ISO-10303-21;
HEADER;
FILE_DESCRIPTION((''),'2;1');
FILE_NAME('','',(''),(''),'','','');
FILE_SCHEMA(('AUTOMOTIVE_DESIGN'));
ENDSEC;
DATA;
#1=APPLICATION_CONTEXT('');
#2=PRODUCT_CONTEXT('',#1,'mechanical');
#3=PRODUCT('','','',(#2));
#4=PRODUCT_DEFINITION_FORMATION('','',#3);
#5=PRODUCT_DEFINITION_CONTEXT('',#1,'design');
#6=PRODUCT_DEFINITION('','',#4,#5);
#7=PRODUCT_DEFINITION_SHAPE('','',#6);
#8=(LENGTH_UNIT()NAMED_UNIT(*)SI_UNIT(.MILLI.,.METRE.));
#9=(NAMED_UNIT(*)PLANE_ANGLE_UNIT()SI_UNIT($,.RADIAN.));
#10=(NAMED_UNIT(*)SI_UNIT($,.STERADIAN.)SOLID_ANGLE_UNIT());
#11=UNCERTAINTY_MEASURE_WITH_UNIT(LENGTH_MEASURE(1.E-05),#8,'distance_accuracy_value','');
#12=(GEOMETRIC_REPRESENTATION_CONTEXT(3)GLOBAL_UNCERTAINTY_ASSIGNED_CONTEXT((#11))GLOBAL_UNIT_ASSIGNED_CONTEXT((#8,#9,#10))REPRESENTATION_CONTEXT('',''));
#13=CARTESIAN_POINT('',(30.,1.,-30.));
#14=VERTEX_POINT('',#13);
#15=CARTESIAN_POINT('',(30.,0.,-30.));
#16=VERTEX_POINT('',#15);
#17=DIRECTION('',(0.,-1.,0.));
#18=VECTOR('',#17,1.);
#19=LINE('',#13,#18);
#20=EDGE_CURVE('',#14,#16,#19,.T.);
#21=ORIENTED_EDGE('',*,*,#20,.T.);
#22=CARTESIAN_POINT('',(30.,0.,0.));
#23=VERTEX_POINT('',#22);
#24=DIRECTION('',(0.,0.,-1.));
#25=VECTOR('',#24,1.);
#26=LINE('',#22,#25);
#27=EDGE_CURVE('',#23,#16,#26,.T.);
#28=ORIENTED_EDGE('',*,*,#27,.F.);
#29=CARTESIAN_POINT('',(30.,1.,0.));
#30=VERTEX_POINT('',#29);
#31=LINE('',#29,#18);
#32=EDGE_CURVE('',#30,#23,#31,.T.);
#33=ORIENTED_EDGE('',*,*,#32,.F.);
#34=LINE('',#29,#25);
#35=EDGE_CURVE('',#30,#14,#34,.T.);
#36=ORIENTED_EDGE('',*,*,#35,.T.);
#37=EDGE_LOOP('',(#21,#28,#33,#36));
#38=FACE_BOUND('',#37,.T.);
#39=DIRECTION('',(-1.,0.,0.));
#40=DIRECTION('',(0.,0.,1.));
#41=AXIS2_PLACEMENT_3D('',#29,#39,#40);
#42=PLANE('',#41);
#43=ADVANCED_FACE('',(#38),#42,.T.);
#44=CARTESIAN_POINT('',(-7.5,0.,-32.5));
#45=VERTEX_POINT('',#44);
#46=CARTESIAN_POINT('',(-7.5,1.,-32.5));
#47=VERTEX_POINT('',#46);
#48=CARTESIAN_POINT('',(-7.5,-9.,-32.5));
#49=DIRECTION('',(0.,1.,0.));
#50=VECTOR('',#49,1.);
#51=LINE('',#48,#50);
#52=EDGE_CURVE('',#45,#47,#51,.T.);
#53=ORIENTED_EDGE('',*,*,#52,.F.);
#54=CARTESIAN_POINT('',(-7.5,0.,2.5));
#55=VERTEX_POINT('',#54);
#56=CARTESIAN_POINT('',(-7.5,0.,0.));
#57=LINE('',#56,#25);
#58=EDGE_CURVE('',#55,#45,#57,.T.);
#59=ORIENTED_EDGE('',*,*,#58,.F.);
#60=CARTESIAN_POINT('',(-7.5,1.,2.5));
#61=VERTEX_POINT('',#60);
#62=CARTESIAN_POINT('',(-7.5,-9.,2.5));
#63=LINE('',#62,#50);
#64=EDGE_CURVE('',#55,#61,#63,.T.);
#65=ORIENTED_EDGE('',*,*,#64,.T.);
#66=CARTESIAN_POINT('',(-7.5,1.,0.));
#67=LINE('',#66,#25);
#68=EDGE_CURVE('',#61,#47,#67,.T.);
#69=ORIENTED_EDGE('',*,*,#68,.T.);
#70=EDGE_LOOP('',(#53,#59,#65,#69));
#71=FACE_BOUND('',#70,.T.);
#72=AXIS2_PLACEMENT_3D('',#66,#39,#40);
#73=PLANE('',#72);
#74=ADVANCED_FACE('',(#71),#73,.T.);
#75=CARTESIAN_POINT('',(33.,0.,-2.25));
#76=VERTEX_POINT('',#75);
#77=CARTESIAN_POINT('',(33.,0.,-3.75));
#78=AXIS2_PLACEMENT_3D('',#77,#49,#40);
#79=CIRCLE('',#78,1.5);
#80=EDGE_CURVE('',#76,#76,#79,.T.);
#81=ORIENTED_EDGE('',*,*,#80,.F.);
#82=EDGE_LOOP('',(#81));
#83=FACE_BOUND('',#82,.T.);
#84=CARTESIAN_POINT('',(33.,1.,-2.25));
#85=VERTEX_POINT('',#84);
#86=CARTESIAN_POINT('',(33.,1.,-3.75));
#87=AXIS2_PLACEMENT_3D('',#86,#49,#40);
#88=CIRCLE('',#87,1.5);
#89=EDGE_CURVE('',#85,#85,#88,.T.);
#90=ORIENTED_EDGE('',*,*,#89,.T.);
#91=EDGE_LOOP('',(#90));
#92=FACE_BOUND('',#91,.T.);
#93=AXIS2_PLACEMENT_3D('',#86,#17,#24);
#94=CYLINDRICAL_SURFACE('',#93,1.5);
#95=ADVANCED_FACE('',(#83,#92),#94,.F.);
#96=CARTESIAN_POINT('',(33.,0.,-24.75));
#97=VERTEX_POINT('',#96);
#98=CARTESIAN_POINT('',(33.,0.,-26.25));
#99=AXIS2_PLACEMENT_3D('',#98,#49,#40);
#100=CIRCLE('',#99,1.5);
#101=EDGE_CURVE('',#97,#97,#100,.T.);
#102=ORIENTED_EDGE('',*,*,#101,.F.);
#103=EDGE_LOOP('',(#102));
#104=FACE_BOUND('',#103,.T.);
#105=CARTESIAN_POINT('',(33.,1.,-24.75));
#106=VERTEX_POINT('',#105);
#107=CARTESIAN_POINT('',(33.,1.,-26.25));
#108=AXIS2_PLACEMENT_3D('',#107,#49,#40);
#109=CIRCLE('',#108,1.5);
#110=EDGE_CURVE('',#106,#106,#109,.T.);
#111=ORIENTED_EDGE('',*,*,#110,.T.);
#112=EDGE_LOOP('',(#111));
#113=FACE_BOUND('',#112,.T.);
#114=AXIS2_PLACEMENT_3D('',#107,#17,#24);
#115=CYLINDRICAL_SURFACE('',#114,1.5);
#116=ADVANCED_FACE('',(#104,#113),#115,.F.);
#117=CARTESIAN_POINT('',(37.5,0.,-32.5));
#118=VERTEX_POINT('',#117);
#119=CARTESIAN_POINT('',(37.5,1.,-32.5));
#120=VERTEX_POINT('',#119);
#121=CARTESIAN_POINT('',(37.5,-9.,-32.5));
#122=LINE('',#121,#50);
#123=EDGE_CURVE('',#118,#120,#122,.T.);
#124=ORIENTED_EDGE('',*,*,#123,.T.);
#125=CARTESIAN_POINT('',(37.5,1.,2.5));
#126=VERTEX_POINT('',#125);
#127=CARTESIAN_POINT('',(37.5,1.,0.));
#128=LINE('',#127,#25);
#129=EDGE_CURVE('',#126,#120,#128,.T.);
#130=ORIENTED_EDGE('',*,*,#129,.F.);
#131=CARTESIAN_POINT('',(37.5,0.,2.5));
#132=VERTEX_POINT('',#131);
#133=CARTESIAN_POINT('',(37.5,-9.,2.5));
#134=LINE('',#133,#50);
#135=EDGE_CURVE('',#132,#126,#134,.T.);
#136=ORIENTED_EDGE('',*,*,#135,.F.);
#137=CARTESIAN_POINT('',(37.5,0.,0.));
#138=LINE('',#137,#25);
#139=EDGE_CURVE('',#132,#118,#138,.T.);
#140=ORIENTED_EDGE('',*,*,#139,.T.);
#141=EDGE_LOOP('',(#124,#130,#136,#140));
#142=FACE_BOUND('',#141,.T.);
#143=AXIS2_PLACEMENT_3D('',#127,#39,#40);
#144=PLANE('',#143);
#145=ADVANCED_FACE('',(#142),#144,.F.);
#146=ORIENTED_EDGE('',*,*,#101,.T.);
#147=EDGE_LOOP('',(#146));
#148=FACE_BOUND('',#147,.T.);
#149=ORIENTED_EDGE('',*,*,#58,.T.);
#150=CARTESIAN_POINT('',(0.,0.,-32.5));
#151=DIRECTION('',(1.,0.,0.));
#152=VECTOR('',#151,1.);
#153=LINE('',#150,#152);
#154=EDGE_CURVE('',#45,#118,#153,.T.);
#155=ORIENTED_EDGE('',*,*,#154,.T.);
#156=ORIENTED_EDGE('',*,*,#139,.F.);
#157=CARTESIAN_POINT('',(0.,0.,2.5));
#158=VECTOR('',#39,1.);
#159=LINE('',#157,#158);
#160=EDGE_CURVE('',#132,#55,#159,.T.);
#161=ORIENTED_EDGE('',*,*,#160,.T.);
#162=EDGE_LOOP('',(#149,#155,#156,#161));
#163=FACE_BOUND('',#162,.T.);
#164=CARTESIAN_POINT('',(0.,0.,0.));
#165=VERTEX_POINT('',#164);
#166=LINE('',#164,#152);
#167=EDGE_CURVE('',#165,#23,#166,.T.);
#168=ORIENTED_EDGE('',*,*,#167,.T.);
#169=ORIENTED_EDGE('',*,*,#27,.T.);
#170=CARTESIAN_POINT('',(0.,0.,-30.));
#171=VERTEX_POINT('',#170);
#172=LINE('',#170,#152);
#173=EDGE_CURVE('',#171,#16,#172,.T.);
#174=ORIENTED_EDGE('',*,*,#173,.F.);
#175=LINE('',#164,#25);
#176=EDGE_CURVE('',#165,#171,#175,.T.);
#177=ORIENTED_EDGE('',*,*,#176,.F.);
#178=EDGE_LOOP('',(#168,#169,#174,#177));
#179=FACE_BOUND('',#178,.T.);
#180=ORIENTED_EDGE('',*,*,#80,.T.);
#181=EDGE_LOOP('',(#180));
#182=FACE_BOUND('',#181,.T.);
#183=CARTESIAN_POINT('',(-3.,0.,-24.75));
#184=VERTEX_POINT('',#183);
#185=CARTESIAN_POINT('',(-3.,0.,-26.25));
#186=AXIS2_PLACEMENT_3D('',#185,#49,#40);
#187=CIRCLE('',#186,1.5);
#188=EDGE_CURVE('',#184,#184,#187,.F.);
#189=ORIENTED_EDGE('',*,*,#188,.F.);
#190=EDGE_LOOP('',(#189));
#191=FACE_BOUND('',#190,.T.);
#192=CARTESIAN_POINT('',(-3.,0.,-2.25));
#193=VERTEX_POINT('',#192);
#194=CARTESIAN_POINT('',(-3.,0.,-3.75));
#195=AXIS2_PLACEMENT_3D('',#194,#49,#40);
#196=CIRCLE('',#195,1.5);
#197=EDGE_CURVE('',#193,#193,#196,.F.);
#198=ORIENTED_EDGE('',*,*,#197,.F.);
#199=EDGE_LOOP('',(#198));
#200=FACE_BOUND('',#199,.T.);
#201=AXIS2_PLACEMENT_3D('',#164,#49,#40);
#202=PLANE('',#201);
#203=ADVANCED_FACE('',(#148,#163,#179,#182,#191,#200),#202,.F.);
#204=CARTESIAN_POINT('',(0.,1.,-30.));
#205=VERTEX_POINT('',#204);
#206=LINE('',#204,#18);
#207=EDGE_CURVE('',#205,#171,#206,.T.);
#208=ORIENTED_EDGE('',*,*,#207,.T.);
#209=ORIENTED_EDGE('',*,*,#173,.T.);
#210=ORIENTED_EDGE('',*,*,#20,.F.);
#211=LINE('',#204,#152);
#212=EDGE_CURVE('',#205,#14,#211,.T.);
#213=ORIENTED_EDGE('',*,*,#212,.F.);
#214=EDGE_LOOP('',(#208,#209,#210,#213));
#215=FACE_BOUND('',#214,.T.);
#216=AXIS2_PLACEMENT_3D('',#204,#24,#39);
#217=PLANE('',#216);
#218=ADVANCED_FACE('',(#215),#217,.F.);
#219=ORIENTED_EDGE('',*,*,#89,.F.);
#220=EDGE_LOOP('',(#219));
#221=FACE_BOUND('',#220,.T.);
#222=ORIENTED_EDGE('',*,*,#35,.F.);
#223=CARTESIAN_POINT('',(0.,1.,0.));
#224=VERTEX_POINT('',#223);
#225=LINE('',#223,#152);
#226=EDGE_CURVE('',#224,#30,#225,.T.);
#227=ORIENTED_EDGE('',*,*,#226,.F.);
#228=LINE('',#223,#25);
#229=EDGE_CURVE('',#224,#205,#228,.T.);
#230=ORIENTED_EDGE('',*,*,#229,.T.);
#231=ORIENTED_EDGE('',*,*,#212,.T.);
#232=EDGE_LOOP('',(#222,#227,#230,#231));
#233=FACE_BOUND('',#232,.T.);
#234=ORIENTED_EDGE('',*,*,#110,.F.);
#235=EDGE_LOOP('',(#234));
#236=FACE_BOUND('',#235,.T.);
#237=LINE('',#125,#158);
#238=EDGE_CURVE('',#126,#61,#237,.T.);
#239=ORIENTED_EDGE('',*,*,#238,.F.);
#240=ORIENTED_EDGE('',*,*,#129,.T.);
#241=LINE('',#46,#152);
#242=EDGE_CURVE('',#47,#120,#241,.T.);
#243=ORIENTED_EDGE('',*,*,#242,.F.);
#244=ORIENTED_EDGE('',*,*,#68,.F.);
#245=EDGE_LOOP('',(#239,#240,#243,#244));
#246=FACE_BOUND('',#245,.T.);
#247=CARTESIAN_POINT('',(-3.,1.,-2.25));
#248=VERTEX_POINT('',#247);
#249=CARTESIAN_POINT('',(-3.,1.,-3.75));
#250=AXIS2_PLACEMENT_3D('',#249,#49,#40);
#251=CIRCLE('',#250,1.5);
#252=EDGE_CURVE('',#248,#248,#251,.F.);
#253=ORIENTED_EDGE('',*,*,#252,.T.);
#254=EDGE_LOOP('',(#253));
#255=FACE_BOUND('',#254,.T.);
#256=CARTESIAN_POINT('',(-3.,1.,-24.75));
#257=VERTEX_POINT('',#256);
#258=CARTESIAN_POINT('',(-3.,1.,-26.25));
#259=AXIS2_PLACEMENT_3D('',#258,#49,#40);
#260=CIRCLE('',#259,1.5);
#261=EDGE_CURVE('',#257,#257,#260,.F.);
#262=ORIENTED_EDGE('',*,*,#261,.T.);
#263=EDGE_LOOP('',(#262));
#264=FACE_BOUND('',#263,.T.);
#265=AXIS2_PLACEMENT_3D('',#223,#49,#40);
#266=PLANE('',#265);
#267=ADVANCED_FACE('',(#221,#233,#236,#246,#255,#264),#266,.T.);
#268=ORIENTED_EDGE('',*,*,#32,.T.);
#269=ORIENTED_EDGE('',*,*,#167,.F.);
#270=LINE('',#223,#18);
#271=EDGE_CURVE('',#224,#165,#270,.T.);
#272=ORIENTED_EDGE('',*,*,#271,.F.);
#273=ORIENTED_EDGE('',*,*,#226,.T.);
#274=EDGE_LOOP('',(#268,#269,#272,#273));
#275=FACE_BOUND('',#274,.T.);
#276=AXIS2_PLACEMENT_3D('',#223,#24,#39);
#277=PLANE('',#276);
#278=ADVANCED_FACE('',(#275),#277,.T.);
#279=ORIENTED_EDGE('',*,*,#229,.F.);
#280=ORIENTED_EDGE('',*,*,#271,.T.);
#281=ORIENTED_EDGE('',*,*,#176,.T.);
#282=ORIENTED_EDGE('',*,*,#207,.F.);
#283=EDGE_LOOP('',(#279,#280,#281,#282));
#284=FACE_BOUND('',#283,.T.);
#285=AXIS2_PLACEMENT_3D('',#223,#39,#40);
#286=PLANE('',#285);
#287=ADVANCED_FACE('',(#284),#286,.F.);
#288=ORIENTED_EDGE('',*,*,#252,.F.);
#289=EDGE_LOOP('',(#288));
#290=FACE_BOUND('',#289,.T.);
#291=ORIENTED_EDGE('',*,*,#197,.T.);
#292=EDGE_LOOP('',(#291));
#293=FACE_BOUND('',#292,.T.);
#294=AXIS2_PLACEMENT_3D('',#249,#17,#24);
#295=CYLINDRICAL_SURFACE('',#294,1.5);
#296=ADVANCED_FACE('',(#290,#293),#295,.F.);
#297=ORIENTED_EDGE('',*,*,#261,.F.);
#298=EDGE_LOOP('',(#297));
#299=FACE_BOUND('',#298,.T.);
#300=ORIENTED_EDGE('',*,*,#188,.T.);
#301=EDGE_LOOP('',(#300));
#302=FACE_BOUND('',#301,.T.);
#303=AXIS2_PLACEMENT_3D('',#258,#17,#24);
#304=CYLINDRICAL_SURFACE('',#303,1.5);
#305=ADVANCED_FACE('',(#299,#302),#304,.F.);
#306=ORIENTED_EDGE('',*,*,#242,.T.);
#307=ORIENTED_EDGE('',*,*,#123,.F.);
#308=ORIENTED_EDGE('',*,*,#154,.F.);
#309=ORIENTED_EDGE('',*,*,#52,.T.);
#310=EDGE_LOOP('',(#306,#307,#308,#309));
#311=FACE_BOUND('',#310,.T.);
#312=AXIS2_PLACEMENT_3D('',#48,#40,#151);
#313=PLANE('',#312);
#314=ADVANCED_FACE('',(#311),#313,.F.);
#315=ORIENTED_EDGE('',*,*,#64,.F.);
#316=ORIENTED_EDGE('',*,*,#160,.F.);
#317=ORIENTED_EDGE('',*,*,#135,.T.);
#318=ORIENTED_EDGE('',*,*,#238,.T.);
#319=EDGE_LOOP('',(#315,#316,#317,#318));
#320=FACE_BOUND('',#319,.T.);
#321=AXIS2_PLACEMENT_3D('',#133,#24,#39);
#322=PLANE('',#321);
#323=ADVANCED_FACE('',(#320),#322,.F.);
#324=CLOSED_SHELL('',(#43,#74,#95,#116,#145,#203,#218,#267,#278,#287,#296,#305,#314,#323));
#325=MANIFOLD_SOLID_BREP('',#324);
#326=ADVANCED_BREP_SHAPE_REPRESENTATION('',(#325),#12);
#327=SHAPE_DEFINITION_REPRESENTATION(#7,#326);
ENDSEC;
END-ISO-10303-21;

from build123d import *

# Parameters (mm, degrees)
CROQUIS1_R              = 1.5
CROQUIS1_W              = 30
CROQUIS1_H              = 30
SALIENTE_EXTRUIR1_DEPTH = 1
CROQUIS2_W              = 45
CROQUIS2_H              = 5
CORTAR_EXTRUIR1_DEPTH   = 10


with BuildPart() as part:
    # Croquis1 → Saliente-Extruir1 (new body)
    with BuildSketch(Plane(origin=(0, 0, 0), x_dir=(1, 0, 0), z_dir=(0, 1, 0))):
        with BuildLine():
            ThreePointArc((-7.5, -7.398453182), (-7.449747468, -7.449747468), (-7.398453182, -7.5))
            Line((-7.398453182, -7.5), (37.5, -7.5))
            Line((37.5, -7.5), (37.5, 37.5))
            Line((37.5, 37.5), (-7.5, 37.5))
            Line((-7.5, 37.5), (-7.5, -7.398453182))
        make_face()
        with Locations(Location((-3, 3.75, 0), (0, 0, 270))):
            Circle(CROQUIS1_R, mode=Mode.SUBTRACT)
        with Locations(Location((33, 3.75, 0), (0, 0, 270))):
            Circle(CROQUIS1_R, mode=Mode.SUBTRACT)
        with Locations(Location((-3, 26.25, 0), (0, 0, 270))):
            Circle(CROQUIS1_R, mode=Mode.SUBTRACT)
        with Locations((15, 15)):
            Rectangle(CROQUIS1_W, CROQUIS1_H, mode=Mode.SUBTRACT)
        with Locations(Location((33, 26.25, 0), (0, 0, 270))):
            Circle(CROQUIS1_R, mode=Mode.SUBTRACT)
    extrude(amount=SALIENTE_EXTRUIR1_DEPTH)

    # Croquis2 → Cortar-Extruir1 (cut)
    with BuildSketch(Plane(origin=(0, 1, 0), x_dir=(1, 0, 0), z_dir=(0, 1, 0))):
        with Locations((15, 35)):
            Rectangle(CROQUIS2_W, CROQUIS2_H)
        with Locations((15, -5)):
            Rectangle(CROQUIS2_W, CROQUIS2_H)
    extrude(amount=-CORTAR_EXTRUIR1_DEPTH, mode=Mode.SUBTRACT)


solid = part.part
